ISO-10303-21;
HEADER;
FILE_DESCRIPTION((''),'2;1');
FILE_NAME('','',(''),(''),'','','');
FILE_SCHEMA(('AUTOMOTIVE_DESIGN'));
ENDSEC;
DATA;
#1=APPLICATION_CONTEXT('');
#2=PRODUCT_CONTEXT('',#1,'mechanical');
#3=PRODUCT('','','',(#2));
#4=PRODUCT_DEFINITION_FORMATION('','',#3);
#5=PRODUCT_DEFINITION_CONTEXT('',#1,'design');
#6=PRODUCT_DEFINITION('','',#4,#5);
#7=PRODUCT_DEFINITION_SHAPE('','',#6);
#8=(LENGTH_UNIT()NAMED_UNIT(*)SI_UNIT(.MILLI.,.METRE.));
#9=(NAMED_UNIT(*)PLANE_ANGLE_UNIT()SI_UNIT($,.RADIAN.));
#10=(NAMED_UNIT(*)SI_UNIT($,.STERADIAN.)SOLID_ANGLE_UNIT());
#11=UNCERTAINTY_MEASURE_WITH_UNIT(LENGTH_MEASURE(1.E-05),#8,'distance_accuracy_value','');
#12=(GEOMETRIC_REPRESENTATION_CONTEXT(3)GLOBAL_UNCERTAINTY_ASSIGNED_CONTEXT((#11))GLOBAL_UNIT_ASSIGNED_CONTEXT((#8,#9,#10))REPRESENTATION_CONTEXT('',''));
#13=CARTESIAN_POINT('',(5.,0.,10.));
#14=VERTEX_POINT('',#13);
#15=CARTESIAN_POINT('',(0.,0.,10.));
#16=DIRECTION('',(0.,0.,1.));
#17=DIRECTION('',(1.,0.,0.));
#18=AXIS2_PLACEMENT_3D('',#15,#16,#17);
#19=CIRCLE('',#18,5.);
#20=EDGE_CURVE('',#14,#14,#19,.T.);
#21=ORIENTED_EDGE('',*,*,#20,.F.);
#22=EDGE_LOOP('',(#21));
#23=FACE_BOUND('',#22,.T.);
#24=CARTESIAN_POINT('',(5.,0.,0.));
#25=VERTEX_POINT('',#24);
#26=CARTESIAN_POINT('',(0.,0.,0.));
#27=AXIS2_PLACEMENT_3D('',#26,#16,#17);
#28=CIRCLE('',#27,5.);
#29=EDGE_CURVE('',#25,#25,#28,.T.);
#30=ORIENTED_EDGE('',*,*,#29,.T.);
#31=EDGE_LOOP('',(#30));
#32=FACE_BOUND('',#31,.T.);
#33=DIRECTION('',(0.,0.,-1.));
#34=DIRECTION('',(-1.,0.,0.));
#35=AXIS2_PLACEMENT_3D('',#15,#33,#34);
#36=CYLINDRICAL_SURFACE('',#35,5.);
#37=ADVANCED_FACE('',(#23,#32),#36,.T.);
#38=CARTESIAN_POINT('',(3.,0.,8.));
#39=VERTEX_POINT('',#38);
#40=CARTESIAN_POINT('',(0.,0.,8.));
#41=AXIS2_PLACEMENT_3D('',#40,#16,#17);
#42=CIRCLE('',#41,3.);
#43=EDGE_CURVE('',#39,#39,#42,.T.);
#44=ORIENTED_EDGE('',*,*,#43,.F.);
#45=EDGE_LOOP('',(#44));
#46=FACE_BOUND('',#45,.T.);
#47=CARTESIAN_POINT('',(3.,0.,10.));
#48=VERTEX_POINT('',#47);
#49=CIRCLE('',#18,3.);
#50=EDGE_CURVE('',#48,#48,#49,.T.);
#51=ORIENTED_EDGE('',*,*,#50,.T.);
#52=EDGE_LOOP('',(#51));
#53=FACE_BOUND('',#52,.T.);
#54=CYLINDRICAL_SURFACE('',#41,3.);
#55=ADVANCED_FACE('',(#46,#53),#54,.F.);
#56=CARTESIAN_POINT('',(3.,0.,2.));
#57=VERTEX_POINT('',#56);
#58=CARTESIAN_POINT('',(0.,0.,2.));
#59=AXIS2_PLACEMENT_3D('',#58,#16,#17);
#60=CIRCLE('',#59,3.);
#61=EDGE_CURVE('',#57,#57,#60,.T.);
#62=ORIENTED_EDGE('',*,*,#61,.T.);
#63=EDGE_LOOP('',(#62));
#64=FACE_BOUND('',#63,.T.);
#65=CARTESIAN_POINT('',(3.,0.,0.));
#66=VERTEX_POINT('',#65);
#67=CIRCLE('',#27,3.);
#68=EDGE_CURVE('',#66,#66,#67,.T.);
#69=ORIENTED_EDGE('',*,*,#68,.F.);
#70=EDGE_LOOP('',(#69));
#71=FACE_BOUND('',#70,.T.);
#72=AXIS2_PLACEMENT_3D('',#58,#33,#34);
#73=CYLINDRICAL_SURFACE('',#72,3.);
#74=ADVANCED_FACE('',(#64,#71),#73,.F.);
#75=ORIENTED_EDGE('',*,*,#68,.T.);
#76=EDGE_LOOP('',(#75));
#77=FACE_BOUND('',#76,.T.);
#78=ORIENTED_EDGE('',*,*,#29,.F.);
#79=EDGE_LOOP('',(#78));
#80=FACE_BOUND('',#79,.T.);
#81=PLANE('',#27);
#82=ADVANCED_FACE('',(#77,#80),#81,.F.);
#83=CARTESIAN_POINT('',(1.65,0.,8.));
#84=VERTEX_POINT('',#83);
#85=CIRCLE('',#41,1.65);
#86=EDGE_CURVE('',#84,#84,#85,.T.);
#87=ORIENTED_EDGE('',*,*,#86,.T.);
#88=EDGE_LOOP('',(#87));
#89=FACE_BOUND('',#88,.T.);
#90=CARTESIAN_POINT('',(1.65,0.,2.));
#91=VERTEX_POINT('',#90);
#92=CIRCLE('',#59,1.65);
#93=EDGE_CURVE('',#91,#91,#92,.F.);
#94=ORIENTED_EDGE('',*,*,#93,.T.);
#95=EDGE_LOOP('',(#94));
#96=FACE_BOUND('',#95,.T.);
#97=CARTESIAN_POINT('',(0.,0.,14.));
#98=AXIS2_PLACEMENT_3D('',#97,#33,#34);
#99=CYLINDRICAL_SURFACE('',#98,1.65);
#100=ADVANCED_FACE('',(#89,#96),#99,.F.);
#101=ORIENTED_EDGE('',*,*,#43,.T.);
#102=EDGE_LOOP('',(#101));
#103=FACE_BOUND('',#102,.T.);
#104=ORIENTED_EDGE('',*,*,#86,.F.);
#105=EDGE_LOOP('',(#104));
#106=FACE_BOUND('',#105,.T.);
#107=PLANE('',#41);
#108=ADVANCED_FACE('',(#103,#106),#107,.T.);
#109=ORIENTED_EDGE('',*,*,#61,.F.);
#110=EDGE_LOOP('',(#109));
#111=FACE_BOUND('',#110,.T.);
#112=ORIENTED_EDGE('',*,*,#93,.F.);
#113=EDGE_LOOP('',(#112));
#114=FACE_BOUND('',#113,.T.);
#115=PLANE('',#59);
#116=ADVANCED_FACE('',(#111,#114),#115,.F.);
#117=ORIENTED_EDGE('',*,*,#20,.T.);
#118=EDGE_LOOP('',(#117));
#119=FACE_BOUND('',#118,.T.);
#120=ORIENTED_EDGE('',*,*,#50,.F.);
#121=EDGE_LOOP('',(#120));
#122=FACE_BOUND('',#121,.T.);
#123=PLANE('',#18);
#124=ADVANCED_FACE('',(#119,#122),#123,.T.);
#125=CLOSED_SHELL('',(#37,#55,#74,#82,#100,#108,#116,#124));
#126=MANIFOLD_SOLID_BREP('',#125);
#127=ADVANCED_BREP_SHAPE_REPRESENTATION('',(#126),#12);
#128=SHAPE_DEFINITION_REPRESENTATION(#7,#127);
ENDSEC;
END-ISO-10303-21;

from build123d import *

# Parameters (mm, degrees)
SKETCH1_R           = 5
BOSS_EXTRUDE1_DEPTH = 10
SKETCH2_R           = 3
CUT_EXTRUDE1_DEPTH  = 2
SKETCH3_R           = 1.65
CUT_EXTRUDE2_DEPTH  = 14
SKETCH4_R           = 3
CUT_EXTRUDE3_DEPTH  = 2


with BuildPart() as part:
    # Sketch1 → Boss-Extrude1 (new body)
    with BuildSketch(Plane.XY):
        Circle(SKETCH1_R)
    extrude(amount=BOSS_EXTRUDE1_DEPTH)

    # Sketch2 → Cut-Extrude1 (cut)
    with BuildSketch(Plane.XY):
        Circle(SKETCH2_R)
    extrude(amount=CUT_EXTRUDE1_DEPTH, mode=Mode.SUBTRACT)

    # Sketch3 → Cut-Extrude2 (cut)
    with BuildSketch(Plane.XY):
        Circle(SKETCH3_R)
    extrude(amount=CUT_EXTRUDE2_DEPTH, mode=Mode.SUBTRACT)

    # Sketch4 → Cut-Extrude3 (cut)
    with BuildSketch(Plane.XY.offset(10)):
        Circle(SKETCH4_R)
    extrude(amount=-CUT_EXTRUDE3_DEPTH, mode=Mode.SUBTRACT)


solid = part.part
